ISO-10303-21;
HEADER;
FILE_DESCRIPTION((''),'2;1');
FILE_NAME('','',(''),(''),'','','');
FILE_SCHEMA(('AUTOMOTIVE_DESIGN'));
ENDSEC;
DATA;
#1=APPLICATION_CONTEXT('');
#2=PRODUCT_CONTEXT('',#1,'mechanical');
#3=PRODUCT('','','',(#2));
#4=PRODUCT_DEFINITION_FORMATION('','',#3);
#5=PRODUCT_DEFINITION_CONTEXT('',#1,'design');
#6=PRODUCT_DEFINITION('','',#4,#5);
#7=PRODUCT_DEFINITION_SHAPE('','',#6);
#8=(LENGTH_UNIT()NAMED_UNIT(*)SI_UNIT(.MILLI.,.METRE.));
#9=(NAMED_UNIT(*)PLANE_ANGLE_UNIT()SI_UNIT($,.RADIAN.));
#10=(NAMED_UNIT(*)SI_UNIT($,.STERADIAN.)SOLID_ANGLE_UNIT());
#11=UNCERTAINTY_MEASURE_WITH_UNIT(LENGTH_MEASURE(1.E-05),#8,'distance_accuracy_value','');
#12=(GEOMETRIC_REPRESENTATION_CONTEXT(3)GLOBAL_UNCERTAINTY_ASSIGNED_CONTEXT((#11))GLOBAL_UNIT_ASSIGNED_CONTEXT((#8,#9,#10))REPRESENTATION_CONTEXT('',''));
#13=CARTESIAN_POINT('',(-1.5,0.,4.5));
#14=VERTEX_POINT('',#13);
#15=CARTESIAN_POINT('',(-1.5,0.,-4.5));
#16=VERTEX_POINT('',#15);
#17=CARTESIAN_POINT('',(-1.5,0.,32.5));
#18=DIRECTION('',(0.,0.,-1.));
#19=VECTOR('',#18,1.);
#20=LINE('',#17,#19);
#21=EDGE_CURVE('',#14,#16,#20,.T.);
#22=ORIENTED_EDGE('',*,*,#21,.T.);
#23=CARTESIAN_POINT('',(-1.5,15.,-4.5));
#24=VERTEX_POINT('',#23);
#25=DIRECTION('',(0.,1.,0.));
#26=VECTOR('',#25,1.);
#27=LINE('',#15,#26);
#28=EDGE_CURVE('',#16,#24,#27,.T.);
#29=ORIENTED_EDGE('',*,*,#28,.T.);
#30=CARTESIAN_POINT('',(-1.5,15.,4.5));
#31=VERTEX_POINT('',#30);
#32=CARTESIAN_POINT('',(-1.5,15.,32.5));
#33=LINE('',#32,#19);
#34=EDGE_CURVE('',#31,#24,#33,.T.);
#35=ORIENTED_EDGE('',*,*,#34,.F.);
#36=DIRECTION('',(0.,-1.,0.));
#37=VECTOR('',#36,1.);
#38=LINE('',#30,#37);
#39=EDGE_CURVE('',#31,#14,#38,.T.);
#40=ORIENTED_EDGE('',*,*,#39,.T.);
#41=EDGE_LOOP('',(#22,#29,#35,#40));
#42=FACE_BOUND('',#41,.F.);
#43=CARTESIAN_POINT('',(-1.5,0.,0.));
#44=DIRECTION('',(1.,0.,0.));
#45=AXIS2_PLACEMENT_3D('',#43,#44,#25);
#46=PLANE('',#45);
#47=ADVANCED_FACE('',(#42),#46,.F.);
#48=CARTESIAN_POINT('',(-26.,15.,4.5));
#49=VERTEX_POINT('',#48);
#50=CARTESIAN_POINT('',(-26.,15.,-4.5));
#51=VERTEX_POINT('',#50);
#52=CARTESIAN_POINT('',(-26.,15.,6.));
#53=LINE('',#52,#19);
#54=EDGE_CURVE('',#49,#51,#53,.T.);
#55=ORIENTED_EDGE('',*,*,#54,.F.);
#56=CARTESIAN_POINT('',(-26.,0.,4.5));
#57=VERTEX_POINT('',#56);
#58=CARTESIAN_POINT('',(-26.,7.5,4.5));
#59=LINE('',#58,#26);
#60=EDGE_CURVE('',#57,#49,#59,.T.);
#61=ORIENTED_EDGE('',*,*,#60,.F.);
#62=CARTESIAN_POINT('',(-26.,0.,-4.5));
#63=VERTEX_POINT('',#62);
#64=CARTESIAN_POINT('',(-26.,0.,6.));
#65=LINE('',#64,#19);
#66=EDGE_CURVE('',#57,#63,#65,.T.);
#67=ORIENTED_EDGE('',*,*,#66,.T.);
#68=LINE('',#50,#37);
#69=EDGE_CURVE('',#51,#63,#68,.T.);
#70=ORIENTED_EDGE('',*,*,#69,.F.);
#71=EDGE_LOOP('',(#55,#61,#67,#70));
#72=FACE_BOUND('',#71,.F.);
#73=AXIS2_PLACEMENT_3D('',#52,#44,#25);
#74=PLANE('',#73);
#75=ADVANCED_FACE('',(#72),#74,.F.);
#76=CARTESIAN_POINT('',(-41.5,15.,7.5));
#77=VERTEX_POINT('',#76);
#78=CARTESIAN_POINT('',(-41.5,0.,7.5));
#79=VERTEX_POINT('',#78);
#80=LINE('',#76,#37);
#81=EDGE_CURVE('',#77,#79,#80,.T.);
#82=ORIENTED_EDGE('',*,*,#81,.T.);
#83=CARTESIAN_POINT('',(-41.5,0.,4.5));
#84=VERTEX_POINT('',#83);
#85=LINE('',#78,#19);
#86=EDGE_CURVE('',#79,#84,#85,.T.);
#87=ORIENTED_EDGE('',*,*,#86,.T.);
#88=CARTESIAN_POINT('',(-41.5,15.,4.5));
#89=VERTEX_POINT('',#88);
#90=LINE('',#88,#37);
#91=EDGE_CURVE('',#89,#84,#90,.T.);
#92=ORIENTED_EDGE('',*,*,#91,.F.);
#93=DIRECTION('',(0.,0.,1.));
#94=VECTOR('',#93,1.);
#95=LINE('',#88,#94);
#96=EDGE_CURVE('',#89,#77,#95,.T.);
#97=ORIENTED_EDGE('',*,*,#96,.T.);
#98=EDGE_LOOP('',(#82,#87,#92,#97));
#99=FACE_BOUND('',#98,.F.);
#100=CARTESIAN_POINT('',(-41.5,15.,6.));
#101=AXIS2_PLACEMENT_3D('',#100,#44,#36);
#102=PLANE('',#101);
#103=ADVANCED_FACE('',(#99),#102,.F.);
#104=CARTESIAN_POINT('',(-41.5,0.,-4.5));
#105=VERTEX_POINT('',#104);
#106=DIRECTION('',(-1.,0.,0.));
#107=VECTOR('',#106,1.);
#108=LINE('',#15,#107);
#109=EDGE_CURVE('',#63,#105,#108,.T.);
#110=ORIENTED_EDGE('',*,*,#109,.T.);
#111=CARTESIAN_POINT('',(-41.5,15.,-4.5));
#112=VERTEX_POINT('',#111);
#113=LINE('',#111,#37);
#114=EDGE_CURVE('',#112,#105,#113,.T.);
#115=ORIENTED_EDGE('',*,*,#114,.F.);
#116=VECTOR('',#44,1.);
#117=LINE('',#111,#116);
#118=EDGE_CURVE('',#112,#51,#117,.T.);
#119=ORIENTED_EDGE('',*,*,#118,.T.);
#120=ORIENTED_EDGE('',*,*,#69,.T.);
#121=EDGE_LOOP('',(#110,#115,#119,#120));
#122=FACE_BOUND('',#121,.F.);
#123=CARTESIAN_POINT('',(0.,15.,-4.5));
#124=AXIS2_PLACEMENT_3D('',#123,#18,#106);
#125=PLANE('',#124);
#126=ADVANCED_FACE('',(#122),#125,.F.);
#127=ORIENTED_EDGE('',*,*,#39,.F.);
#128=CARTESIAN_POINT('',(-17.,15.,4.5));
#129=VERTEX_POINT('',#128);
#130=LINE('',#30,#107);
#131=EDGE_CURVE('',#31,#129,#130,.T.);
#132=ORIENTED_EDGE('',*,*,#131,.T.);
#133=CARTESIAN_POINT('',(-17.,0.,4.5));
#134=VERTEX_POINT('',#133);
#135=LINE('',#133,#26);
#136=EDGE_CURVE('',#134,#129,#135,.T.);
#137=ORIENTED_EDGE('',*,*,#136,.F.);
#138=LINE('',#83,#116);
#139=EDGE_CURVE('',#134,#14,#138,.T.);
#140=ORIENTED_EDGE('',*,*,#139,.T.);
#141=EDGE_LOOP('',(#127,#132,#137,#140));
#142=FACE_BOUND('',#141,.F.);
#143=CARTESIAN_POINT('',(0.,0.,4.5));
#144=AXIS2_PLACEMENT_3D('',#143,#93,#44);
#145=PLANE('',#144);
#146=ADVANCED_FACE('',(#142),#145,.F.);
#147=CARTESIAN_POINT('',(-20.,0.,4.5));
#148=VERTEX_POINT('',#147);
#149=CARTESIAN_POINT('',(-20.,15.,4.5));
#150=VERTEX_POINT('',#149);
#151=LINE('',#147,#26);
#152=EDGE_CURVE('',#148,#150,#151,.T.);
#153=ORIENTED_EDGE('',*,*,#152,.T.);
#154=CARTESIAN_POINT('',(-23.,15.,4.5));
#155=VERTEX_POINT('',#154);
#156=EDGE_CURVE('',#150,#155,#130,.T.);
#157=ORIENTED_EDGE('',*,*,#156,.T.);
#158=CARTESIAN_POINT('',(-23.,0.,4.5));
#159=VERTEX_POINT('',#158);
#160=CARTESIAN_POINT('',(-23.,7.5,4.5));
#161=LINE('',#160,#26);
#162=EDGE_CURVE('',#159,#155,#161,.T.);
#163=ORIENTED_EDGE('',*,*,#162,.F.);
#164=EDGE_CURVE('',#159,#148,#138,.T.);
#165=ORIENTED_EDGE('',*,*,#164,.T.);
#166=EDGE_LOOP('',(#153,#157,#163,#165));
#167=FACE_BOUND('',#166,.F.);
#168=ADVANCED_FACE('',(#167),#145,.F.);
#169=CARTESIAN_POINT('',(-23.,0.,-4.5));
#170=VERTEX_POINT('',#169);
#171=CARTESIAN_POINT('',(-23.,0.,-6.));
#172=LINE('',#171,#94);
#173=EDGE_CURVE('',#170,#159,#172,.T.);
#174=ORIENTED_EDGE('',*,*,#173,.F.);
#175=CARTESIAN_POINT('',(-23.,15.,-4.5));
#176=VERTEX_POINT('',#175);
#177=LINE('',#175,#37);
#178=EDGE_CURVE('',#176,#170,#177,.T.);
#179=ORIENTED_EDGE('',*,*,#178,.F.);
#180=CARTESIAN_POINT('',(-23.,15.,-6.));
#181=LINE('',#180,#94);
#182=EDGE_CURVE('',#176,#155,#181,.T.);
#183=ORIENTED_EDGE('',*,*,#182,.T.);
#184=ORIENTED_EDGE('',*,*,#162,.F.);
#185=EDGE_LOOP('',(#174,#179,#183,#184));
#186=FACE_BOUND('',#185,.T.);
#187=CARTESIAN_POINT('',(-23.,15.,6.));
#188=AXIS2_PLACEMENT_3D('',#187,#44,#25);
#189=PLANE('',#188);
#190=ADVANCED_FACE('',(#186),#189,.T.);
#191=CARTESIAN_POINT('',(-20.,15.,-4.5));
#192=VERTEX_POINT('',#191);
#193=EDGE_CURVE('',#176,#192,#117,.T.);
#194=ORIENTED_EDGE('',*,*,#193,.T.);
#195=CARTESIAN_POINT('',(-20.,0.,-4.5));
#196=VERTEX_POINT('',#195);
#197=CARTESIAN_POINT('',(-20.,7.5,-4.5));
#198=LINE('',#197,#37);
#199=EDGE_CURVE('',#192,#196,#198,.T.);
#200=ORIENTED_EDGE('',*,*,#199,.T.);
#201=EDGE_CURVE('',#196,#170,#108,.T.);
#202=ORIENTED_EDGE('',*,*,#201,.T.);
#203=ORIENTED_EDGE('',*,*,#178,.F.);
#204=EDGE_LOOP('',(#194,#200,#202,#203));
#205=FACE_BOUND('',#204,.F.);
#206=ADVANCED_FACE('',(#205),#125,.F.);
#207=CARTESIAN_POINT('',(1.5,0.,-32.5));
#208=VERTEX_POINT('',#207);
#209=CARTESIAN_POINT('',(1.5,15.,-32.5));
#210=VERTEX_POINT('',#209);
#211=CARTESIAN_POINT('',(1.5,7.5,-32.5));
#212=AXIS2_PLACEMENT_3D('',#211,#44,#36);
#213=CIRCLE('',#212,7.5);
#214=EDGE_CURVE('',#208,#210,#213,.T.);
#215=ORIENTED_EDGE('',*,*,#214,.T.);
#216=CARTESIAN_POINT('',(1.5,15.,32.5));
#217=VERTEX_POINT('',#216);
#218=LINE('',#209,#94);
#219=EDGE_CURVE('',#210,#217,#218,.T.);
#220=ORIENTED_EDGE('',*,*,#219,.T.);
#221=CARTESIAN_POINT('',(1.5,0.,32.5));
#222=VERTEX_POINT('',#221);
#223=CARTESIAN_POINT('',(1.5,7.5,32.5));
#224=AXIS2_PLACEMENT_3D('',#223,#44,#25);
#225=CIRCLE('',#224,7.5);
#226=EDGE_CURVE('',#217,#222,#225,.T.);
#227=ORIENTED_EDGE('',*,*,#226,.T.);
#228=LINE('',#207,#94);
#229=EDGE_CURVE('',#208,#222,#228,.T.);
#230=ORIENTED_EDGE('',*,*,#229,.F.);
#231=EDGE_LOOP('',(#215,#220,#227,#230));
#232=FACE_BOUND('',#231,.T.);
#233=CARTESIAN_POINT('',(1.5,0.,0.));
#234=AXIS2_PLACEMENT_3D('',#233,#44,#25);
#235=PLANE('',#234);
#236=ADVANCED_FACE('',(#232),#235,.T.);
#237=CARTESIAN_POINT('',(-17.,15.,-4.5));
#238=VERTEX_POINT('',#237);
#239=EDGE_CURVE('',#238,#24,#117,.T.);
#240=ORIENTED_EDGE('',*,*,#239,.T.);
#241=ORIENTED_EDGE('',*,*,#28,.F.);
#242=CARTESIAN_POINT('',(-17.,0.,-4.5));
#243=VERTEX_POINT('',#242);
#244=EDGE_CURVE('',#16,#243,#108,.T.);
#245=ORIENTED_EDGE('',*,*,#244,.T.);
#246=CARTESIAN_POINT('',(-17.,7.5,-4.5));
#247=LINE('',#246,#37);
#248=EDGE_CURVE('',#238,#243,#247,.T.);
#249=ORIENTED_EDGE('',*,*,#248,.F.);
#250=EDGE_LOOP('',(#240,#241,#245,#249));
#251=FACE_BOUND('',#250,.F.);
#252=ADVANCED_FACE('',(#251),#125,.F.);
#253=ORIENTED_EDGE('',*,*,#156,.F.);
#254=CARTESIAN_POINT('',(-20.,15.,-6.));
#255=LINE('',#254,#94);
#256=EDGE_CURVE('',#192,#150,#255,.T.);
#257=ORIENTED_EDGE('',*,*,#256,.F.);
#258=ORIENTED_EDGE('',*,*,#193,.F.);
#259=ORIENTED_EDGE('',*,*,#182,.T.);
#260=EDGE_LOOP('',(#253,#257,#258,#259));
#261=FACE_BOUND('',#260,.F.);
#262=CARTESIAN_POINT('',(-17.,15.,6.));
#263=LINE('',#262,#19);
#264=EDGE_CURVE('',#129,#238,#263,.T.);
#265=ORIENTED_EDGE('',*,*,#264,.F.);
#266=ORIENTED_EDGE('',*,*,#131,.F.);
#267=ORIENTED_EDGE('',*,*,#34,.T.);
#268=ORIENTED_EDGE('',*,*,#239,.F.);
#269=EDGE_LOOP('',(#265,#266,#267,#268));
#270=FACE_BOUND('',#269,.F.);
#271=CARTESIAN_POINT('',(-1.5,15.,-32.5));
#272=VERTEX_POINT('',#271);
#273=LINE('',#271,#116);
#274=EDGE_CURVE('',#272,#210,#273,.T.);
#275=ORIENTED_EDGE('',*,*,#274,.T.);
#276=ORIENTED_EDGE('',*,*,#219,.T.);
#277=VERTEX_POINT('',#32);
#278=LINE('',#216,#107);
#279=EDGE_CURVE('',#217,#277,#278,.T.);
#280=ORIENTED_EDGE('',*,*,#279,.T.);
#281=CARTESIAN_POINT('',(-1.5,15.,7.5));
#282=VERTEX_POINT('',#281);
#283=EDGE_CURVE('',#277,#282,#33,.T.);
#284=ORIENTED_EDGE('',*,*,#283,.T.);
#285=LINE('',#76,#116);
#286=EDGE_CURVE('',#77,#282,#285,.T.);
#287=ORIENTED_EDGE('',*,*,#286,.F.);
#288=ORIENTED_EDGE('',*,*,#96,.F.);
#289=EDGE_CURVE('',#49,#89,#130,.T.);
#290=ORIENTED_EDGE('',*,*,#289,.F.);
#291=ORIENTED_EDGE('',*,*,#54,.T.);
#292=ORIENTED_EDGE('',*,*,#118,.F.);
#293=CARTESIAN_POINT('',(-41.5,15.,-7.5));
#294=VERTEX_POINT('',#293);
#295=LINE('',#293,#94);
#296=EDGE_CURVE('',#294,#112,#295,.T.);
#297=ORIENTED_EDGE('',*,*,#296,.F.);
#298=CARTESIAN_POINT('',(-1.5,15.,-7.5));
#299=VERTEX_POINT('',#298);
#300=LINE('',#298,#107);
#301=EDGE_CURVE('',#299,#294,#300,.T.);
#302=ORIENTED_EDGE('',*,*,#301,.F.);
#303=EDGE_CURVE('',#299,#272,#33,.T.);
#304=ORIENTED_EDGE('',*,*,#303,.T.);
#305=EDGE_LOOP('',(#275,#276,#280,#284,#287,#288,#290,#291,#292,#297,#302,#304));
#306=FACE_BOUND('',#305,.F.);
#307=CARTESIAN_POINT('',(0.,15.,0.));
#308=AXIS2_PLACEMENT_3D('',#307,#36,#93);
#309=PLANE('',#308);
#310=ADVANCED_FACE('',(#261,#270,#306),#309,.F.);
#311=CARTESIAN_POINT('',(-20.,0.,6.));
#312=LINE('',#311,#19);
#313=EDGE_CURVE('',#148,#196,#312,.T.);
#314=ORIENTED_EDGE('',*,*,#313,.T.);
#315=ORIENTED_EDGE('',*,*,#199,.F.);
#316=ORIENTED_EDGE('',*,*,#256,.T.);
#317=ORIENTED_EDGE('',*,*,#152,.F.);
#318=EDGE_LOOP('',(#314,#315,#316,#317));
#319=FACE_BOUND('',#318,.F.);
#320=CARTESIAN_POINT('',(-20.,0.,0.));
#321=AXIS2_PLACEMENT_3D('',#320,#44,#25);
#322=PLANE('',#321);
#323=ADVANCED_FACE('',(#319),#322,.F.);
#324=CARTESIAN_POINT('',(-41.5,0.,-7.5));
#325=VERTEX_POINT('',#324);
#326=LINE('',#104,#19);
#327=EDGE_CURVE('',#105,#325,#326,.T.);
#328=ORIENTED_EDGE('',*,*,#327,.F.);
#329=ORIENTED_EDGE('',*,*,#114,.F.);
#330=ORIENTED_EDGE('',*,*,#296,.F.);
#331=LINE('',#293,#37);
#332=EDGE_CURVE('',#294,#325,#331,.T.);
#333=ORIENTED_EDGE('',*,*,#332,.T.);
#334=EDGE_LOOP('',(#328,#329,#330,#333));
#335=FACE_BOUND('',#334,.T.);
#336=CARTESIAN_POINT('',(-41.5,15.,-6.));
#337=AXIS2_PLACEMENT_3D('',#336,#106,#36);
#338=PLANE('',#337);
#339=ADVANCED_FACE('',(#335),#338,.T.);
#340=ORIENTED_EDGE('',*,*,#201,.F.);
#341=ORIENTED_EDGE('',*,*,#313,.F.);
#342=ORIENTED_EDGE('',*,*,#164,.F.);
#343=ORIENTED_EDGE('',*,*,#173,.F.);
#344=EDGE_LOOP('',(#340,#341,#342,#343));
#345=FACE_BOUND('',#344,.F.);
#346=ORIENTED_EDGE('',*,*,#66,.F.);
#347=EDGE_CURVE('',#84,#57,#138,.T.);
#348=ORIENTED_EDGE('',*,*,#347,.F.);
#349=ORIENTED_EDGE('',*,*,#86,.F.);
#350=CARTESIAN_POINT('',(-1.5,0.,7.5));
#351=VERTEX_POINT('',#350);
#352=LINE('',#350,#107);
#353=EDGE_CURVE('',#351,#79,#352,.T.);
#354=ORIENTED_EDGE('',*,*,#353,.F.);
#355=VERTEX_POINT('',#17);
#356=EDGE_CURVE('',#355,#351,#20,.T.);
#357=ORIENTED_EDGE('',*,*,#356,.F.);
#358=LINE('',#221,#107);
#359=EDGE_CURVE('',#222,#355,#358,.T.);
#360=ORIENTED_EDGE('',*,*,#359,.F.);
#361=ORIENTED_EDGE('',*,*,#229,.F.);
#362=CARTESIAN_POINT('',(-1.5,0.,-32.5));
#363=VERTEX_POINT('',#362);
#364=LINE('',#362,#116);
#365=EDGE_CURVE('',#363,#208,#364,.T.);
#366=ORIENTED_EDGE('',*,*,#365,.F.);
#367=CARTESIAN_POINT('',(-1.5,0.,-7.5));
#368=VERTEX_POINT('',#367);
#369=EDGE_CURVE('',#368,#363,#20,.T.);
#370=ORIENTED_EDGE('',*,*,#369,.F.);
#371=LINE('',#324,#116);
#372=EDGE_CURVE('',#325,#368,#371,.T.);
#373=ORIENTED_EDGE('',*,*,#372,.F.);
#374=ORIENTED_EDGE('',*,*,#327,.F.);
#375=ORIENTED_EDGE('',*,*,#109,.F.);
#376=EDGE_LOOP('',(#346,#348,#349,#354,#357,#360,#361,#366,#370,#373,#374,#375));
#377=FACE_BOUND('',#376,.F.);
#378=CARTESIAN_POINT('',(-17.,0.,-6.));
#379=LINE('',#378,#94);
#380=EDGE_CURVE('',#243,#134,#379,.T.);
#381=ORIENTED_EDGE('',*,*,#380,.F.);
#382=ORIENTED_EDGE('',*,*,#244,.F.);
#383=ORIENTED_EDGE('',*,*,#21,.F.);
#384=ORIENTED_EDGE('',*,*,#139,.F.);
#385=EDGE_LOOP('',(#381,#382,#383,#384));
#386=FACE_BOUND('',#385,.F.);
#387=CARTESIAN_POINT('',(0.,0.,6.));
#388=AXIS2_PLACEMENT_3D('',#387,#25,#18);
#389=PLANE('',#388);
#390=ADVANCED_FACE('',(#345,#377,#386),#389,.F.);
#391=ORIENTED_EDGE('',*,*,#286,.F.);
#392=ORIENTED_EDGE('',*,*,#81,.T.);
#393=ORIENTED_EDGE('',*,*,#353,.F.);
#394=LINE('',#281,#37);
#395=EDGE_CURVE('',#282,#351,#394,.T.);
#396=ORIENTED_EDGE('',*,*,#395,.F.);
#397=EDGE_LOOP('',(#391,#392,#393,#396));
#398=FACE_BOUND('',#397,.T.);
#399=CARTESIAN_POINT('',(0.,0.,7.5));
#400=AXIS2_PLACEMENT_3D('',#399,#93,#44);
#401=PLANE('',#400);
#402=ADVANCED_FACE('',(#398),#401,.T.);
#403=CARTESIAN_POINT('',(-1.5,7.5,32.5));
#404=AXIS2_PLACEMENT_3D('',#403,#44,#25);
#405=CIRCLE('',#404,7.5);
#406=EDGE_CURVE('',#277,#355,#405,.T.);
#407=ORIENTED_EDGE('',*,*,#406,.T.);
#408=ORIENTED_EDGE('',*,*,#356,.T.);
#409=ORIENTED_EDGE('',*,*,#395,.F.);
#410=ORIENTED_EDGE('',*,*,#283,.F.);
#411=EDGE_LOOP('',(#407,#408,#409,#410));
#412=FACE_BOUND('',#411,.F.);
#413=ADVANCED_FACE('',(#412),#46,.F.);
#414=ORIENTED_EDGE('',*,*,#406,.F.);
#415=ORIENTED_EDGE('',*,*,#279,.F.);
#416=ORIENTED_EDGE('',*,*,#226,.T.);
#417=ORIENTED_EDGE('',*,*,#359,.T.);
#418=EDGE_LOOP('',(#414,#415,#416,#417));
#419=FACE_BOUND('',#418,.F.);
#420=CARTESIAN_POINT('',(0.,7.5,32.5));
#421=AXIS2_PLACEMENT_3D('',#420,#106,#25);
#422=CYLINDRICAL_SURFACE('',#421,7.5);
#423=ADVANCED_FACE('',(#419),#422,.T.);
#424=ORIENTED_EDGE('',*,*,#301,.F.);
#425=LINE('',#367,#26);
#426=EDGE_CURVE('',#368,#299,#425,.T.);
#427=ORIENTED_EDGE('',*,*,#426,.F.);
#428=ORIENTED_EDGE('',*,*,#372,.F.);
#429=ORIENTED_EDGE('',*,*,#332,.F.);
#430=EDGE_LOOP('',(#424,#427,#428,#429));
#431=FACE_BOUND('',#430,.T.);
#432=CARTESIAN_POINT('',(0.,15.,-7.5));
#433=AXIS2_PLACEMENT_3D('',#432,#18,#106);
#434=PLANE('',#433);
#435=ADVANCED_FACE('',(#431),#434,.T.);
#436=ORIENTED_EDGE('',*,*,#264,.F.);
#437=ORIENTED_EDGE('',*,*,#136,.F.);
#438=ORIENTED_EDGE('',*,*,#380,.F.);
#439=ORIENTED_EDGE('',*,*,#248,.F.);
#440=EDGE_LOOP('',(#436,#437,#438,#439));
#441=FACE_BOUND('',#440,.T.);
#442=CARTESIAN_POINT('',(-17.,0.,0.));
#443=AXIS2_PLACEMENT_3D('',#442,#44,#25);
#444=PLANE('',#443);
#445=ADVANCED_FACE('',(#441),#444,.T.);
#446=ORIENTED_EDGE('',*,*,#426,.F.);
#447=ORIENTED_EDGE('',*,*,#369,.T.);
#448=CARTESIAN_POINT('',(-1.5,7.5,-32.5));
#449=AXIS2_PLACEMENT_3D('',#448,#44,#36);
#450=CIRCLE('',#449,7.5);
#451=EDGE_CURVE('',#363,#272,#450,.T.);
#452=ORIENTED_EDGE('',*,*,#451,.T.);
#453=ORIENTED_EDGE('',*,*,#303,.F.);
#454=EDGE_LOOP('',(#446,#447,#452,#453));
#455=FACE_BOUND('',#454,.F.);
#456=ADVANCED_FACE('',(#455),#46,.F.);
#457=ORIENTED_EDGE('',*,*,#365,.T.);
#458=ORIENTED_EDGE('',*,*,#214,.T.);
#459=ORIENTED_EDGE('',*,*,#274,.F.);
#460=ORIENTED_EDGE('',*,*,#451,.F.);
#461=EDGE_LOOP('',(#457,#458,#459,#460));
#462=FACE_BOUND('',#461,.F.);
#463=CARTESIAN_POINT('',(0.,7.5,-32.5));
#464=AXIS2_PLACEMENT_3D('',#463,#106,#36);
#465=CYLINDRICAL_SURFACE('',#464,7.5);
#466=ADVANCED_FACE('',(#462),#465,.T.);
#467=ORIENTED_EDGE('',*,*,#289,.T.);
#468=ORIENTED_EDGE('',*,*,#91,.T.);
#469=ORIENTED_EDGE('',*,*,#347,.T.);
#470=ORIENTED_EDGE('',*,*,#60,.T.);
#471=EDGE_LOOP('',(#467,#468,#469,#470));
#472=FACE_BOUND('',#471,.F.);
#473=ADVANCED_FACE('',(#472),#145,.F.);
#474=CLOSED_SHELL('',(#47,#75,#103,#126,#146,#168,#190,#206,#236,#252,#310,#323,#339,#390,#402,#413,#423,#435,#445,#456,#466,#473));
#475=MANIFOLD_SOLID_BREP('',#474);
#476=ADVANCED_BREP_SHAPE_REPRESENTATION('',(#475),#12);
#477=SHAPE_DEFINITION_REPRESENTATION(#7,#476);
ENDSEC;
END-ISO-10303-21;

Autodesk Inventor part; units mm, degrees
ref_plane "XZ Plane" through (0, 0, 0) normal (0, 1, 0) x (-1, 0, 0)
sketch "Sketch1" plane through (0, 0, 0) normal (1, 0, 0) x (0, 1, 0)
  line L0 (15, 0) -> (15, 32.5)
  line L1 (15, 6) -> (0, 6)
  line L2 (0, 32.5) -> (0, 0)
  line L3 (15, 0) -> (15, 32.5)
  line L4 (15, 6) -> (0, 6)
  line L5 (0, 32.5) -> (0, 0)
  arc A0 (15, 32.5) -> (0, 32.5) centre (7.5, 32.5) ccw
  line L6 (15, 0) -> (0, 0)
  line L7 (15, 0) -> (15, -32.5)
  line L8 (15, -6) -> (0, -6)
  line L9 (0, -32.5) -> (0, 0)
  line L10 (15, -6) -> (0, -6)
  line L11 (15, 0) -> (15, -32.5)
  line L12 (0, -32.5) -> (0, 0)
  arc A1 (0, -32.5) -> (15, -32.5) centre (7.5, -32.5) ccw
  dimension "d25" = 65
  dimension "d26" = 15
ref_plane "Work Plane1" through (0, 0, 6) normal (0, 0, 1) x (1, 0, 0)
ref_plane "Work Plane2" through (0, 15, -6) normal (0, 0, -1) x (-1, 0, 0)
extrude "Extrusion1" add sketch "Sketch1" along normal mid plane 3
sketch "Sketch2" plane through (0, 0, 6) normal (0, 0, 1) x (1, 0, 0)
  line L0 (-1.5, 15) -> (-41.5, 15)
  line L1 (-41.5, 15) -> (-41.5, 0)
  line L2 (-41.5, 0) -> (-1.5, 0)
  line L3 (-21.5, 15) -> (-21.5, 0)
  line L4 (-18.5, 15) -> (-18.5, 0)
  line L5 (-24.5, 15) -> (-24.5, 0)
  line L6 (-1.5, 15) -> (-1.5, 0)
  line L7 (-1.5, 0) -> (0, 0)
  dimension "d30" = 40
  dimension "d31" = 3
  dimension "d32" = 3
sketch "Sketch3" plane through (0, 15, -6) normal (0, 0, -1) x (-1, 0, 0)
  line L0 (1.5, -15) -> (1.5, 0) projected
  line L1 (41.5, 0) -> (41.5, -15)
  line L2 (41.5, -15) -> (1.5, -15)
  line L3 (1.5, 0) -> (41.5, 0)
  line L4 (21.5, 0) -> (21.5, -15)
  line L5 (24.5, 0) -> (24.5, -15)
  line L6 (18.5, 0) -> (18.5, -15)
  line L7 (1.5, 0) -> (1.5, -15)
  point P0 (0, -15)
  dimension "d35" = 40
ref_plane "Work Plane5" through (-18.5, 0, 0) normal (1, 0, 0) x (0, 1, 0)
ref_plane "Work Plane6" through (-24.5, 15, 6) normal (1, 0, 0) x (0, 1, 0)
ref_plane "Work Plane7" through (-41.5, 15, 6) normal (1, 0, 0) x (0, 1, 0)
sketch "Sketch5" plane through (-18.5, 0, 0) normal (1, 0, 0) x (0, 1, 0)
  line L0 (15, -32.5) -> (15, 32.5) projected
  line L1 (0, 0) -> (15, 0)
  line L2 (15, 0) -> (15, 6)
  line L3 (15, 6) -> (0, 6)
  line L4 (0, 6) -> (0, 0)
  line L5 (0, 0) -> (15, 0)
  line L6 (15, 0) -> (15, -6)
  line L7 (15, -6) -> (0, -6)
  line L8 (0, -6) -> (0, 0)
  dimension "d42" = 6
  dimension "d43" = 6
sketch "Sketch6" plane through (-24.5, 15, 6) normal (1, 0, 0) x (0, 1, 0)
  line L0 (-15, -6) -> (0, -6)
  line L1 (0, -6) -> (0, 0)
  line L2 (0, 0) -> (-15, 0)
  line L3 (-15, 0) -> (-15, -6)
  line L4 (0, -38.5) -> (0, 26.5) projected
  line L5 (-15, -6) -> (0, -6)
  line L6 (0, -6) -> (0, -12)
  line L7 (0, -12) -> (-15, -12)
  line L8 (-15, -12) -> (-15, -6)
  dimension "d44" = 6
extrude "Extrusion2" add sketch "Sketch2" along normal mid plane 3
extrude "Extrusion3" add sketch "Sketch3" along normal mid plane 3
extrude "Extrusion4" add sketch "Sketch6" along normal mid plane 3
extrude "Extrusion5" add sketch "Sketch5" along normal mid plane 3
properties part number "LegMiddle"
